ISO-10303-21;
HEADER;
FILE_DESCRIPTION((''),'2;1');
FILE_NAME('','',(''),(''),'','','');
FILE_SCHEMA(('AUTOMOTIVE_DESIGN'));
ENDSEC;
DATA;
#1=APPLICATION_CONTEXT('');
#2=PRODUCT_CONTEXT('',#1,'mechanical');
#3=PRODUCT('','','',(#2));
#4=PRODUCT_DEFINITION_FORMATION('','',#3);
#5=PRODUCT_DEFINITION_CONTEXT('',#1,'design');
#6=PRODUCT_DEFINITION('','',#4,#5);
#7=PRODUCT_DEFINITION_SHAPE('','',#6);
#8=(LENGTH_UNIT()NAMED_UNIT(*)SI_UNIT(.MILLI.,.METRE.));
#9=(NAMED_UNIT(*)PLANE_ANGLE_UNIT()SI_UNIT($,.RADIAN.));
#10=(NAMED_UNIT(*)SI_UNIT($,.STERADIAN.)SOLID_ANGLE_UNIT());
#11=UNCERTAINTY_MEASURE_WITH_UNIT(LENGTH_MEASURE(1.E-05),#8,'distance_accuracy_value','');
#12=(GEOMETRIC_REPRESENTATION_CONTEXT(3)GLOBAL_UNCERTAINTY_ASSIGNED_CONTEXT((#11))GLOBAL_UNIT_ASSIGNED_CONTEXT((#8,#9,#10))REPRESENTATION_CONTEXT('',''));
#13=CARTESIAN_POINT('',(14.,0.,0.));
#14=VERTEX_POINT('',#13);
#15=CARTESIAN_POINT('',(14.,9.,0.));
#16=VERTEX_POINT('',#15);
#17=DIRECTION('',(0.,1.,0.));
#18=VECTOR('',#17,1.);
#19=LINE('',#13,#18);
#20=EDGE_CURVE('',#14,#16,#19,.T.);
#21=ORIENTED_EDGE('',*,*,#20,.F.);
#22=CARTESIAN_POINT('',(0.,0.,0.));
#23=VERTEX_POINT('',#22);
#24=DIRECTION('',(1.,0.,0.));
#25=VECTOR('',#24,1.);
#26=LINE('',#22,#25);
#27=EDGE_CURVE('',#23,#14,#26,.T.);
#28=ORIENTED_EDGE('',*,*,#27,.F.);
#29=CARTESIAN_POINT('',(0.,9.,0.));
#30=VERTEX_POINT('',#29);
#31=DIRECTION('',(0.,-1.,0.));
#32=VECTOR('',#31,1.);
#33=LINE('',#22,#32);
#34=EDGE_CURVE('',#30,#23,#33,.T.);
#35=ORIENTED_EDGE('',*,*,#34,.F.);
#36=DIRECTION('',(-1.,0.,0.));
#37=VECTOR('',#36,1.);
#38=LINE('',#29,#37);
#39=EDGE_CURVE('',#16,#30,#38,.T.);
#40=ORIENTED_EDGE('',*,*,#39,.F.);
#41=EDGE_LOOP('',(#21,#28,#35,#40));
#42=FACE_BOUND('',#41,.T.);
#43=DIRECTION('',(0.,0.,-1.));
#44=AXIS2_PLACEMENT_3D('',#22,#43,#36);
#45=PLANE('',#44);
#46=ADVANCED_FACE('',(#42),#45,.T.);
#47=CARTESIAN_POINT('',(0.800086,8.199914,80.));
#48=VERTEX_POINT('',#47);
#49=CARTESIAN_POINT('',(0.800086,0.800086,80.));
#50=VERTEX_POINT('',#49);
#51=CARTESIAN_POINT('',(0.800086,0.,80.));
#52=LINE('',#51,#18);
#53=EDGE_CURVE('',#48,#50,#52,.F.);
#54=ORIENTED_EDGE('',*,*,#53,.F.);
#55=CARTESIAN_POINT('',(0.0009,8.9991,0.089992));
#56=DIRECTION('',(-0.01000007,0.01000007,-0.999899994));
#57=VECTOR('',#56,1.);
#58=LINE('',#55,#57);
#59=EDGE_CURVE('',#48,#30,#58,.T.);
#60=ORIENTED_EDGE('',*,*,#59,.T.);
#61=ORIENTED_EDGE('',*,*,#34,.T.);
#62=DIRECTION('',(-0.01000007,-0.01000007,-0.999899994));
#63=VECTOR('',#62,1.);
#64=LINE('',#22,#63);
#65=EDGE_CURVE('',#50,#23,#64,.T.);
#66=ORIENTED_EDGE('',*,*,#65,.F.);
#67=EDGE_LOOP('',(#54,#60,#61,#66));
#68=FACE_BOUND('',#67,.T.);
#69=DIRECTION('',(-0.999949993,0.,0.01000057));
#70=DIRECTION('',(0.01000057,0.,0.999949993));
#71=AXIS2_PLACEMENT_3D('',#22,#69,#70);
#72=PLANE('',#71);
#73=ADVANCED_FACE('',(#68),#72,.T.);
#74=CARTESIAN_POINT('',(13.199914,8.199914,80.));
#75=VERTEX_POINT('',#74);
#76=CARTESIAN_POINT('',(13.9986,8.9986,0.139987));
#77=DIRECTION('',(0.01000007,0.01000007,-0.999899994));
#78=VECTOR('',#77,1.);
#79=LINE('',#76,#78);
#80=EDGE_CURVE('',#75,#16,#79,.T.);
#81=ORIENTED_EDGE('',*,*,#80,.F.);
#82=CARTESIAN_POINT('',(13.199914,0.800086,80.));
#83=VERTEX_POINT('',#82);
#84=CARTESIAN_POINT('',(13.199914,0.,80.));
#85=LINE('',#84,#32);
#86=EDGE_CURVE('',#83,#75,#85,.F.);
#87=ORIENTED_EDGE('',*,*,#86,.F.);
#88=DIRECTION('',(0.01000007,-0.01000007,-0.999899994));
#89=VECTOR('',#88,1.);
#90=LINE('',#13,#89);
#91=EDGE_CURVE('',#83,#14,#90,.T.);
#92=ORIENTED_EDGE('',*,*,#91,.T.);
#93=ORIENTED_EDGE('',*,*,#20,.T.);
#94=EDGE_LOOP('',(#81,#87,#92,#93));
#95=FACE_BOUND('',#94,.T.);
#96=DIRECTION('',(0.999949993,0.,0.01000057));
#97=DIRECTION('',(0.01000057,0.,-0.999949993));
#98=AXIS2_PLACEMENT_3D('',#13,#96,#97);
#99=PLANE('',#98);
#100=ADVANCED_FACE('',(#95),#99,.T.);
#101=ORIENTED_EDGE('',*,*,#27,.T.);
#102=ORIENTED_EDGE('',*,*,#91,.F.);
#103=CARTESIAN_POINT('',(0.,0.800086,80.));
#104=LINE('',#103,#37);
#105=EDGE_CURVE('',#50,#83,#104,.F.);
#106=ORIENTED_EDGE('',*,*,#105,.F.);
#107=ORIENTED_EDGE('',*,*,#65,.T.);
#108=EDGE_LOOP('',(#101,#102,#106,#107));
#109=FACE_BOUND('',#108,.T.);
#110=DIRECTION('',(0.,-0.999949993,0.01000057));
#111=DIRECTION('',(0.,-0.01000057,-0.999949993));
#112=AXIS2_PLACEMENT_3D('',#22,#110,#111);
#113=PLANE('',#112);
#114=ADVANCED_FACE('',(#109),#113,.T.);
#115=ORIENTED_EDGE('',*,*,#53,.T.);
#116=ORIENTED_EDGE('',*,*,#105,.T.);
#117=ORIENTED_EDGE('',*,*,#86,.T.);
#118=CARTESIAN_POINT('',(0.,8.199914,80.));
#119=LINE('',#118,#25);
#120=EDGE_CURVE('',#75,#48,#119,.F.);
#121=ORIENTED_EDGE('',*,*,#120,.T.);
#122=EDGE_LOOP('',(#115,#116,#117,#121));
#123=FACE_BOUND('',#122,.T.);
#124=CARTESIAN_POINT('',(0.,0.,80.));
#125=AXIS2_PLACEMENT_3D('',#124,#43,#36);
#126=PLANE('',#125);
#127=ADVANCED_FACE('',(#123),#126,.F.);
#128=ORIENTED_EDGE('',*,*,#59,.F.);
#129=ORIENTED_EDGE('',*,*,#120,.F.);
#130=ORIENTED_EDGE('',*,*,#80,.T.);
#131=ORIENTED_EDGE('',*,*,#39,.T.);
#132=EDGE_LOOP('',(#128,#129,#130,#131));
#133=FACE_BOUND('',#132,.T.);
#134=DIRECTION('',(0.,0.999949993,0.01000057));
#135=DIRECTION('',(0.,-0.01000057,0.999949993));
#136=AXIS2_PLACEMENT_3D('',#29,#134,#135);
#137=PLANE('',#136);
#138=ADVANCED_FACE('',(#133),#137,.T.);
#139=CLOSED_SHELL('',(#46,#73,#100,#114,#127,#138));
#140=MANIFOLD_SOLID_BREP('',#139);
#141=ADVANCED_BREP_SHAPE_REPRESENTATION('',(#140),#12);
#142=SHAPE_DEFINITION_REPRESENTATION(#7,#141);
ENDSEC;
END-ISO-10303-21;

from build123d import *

# Parameters (mm, degrees)
SKETCH2_W           = 14
SKETCH2_H           = 9
BOSS_EXTRUDE1_DEPTH = 80
BOSS_EXTRUDE1_TAPER = 0.573


with BuildPart() as part:
    # Sketch2 → Boss-Extrude1 (new body)
    with BuildSketch(Plane.XY):
        with Locations((7, 4.5)):
            Rectangle(SKETCH2_W, SKETCH2_H)
    extrude(amount=BOSS_EXTRUDE1_DEPTH, taper=BOSS_EXTRUDE1_TAPER)


solid = part.part
